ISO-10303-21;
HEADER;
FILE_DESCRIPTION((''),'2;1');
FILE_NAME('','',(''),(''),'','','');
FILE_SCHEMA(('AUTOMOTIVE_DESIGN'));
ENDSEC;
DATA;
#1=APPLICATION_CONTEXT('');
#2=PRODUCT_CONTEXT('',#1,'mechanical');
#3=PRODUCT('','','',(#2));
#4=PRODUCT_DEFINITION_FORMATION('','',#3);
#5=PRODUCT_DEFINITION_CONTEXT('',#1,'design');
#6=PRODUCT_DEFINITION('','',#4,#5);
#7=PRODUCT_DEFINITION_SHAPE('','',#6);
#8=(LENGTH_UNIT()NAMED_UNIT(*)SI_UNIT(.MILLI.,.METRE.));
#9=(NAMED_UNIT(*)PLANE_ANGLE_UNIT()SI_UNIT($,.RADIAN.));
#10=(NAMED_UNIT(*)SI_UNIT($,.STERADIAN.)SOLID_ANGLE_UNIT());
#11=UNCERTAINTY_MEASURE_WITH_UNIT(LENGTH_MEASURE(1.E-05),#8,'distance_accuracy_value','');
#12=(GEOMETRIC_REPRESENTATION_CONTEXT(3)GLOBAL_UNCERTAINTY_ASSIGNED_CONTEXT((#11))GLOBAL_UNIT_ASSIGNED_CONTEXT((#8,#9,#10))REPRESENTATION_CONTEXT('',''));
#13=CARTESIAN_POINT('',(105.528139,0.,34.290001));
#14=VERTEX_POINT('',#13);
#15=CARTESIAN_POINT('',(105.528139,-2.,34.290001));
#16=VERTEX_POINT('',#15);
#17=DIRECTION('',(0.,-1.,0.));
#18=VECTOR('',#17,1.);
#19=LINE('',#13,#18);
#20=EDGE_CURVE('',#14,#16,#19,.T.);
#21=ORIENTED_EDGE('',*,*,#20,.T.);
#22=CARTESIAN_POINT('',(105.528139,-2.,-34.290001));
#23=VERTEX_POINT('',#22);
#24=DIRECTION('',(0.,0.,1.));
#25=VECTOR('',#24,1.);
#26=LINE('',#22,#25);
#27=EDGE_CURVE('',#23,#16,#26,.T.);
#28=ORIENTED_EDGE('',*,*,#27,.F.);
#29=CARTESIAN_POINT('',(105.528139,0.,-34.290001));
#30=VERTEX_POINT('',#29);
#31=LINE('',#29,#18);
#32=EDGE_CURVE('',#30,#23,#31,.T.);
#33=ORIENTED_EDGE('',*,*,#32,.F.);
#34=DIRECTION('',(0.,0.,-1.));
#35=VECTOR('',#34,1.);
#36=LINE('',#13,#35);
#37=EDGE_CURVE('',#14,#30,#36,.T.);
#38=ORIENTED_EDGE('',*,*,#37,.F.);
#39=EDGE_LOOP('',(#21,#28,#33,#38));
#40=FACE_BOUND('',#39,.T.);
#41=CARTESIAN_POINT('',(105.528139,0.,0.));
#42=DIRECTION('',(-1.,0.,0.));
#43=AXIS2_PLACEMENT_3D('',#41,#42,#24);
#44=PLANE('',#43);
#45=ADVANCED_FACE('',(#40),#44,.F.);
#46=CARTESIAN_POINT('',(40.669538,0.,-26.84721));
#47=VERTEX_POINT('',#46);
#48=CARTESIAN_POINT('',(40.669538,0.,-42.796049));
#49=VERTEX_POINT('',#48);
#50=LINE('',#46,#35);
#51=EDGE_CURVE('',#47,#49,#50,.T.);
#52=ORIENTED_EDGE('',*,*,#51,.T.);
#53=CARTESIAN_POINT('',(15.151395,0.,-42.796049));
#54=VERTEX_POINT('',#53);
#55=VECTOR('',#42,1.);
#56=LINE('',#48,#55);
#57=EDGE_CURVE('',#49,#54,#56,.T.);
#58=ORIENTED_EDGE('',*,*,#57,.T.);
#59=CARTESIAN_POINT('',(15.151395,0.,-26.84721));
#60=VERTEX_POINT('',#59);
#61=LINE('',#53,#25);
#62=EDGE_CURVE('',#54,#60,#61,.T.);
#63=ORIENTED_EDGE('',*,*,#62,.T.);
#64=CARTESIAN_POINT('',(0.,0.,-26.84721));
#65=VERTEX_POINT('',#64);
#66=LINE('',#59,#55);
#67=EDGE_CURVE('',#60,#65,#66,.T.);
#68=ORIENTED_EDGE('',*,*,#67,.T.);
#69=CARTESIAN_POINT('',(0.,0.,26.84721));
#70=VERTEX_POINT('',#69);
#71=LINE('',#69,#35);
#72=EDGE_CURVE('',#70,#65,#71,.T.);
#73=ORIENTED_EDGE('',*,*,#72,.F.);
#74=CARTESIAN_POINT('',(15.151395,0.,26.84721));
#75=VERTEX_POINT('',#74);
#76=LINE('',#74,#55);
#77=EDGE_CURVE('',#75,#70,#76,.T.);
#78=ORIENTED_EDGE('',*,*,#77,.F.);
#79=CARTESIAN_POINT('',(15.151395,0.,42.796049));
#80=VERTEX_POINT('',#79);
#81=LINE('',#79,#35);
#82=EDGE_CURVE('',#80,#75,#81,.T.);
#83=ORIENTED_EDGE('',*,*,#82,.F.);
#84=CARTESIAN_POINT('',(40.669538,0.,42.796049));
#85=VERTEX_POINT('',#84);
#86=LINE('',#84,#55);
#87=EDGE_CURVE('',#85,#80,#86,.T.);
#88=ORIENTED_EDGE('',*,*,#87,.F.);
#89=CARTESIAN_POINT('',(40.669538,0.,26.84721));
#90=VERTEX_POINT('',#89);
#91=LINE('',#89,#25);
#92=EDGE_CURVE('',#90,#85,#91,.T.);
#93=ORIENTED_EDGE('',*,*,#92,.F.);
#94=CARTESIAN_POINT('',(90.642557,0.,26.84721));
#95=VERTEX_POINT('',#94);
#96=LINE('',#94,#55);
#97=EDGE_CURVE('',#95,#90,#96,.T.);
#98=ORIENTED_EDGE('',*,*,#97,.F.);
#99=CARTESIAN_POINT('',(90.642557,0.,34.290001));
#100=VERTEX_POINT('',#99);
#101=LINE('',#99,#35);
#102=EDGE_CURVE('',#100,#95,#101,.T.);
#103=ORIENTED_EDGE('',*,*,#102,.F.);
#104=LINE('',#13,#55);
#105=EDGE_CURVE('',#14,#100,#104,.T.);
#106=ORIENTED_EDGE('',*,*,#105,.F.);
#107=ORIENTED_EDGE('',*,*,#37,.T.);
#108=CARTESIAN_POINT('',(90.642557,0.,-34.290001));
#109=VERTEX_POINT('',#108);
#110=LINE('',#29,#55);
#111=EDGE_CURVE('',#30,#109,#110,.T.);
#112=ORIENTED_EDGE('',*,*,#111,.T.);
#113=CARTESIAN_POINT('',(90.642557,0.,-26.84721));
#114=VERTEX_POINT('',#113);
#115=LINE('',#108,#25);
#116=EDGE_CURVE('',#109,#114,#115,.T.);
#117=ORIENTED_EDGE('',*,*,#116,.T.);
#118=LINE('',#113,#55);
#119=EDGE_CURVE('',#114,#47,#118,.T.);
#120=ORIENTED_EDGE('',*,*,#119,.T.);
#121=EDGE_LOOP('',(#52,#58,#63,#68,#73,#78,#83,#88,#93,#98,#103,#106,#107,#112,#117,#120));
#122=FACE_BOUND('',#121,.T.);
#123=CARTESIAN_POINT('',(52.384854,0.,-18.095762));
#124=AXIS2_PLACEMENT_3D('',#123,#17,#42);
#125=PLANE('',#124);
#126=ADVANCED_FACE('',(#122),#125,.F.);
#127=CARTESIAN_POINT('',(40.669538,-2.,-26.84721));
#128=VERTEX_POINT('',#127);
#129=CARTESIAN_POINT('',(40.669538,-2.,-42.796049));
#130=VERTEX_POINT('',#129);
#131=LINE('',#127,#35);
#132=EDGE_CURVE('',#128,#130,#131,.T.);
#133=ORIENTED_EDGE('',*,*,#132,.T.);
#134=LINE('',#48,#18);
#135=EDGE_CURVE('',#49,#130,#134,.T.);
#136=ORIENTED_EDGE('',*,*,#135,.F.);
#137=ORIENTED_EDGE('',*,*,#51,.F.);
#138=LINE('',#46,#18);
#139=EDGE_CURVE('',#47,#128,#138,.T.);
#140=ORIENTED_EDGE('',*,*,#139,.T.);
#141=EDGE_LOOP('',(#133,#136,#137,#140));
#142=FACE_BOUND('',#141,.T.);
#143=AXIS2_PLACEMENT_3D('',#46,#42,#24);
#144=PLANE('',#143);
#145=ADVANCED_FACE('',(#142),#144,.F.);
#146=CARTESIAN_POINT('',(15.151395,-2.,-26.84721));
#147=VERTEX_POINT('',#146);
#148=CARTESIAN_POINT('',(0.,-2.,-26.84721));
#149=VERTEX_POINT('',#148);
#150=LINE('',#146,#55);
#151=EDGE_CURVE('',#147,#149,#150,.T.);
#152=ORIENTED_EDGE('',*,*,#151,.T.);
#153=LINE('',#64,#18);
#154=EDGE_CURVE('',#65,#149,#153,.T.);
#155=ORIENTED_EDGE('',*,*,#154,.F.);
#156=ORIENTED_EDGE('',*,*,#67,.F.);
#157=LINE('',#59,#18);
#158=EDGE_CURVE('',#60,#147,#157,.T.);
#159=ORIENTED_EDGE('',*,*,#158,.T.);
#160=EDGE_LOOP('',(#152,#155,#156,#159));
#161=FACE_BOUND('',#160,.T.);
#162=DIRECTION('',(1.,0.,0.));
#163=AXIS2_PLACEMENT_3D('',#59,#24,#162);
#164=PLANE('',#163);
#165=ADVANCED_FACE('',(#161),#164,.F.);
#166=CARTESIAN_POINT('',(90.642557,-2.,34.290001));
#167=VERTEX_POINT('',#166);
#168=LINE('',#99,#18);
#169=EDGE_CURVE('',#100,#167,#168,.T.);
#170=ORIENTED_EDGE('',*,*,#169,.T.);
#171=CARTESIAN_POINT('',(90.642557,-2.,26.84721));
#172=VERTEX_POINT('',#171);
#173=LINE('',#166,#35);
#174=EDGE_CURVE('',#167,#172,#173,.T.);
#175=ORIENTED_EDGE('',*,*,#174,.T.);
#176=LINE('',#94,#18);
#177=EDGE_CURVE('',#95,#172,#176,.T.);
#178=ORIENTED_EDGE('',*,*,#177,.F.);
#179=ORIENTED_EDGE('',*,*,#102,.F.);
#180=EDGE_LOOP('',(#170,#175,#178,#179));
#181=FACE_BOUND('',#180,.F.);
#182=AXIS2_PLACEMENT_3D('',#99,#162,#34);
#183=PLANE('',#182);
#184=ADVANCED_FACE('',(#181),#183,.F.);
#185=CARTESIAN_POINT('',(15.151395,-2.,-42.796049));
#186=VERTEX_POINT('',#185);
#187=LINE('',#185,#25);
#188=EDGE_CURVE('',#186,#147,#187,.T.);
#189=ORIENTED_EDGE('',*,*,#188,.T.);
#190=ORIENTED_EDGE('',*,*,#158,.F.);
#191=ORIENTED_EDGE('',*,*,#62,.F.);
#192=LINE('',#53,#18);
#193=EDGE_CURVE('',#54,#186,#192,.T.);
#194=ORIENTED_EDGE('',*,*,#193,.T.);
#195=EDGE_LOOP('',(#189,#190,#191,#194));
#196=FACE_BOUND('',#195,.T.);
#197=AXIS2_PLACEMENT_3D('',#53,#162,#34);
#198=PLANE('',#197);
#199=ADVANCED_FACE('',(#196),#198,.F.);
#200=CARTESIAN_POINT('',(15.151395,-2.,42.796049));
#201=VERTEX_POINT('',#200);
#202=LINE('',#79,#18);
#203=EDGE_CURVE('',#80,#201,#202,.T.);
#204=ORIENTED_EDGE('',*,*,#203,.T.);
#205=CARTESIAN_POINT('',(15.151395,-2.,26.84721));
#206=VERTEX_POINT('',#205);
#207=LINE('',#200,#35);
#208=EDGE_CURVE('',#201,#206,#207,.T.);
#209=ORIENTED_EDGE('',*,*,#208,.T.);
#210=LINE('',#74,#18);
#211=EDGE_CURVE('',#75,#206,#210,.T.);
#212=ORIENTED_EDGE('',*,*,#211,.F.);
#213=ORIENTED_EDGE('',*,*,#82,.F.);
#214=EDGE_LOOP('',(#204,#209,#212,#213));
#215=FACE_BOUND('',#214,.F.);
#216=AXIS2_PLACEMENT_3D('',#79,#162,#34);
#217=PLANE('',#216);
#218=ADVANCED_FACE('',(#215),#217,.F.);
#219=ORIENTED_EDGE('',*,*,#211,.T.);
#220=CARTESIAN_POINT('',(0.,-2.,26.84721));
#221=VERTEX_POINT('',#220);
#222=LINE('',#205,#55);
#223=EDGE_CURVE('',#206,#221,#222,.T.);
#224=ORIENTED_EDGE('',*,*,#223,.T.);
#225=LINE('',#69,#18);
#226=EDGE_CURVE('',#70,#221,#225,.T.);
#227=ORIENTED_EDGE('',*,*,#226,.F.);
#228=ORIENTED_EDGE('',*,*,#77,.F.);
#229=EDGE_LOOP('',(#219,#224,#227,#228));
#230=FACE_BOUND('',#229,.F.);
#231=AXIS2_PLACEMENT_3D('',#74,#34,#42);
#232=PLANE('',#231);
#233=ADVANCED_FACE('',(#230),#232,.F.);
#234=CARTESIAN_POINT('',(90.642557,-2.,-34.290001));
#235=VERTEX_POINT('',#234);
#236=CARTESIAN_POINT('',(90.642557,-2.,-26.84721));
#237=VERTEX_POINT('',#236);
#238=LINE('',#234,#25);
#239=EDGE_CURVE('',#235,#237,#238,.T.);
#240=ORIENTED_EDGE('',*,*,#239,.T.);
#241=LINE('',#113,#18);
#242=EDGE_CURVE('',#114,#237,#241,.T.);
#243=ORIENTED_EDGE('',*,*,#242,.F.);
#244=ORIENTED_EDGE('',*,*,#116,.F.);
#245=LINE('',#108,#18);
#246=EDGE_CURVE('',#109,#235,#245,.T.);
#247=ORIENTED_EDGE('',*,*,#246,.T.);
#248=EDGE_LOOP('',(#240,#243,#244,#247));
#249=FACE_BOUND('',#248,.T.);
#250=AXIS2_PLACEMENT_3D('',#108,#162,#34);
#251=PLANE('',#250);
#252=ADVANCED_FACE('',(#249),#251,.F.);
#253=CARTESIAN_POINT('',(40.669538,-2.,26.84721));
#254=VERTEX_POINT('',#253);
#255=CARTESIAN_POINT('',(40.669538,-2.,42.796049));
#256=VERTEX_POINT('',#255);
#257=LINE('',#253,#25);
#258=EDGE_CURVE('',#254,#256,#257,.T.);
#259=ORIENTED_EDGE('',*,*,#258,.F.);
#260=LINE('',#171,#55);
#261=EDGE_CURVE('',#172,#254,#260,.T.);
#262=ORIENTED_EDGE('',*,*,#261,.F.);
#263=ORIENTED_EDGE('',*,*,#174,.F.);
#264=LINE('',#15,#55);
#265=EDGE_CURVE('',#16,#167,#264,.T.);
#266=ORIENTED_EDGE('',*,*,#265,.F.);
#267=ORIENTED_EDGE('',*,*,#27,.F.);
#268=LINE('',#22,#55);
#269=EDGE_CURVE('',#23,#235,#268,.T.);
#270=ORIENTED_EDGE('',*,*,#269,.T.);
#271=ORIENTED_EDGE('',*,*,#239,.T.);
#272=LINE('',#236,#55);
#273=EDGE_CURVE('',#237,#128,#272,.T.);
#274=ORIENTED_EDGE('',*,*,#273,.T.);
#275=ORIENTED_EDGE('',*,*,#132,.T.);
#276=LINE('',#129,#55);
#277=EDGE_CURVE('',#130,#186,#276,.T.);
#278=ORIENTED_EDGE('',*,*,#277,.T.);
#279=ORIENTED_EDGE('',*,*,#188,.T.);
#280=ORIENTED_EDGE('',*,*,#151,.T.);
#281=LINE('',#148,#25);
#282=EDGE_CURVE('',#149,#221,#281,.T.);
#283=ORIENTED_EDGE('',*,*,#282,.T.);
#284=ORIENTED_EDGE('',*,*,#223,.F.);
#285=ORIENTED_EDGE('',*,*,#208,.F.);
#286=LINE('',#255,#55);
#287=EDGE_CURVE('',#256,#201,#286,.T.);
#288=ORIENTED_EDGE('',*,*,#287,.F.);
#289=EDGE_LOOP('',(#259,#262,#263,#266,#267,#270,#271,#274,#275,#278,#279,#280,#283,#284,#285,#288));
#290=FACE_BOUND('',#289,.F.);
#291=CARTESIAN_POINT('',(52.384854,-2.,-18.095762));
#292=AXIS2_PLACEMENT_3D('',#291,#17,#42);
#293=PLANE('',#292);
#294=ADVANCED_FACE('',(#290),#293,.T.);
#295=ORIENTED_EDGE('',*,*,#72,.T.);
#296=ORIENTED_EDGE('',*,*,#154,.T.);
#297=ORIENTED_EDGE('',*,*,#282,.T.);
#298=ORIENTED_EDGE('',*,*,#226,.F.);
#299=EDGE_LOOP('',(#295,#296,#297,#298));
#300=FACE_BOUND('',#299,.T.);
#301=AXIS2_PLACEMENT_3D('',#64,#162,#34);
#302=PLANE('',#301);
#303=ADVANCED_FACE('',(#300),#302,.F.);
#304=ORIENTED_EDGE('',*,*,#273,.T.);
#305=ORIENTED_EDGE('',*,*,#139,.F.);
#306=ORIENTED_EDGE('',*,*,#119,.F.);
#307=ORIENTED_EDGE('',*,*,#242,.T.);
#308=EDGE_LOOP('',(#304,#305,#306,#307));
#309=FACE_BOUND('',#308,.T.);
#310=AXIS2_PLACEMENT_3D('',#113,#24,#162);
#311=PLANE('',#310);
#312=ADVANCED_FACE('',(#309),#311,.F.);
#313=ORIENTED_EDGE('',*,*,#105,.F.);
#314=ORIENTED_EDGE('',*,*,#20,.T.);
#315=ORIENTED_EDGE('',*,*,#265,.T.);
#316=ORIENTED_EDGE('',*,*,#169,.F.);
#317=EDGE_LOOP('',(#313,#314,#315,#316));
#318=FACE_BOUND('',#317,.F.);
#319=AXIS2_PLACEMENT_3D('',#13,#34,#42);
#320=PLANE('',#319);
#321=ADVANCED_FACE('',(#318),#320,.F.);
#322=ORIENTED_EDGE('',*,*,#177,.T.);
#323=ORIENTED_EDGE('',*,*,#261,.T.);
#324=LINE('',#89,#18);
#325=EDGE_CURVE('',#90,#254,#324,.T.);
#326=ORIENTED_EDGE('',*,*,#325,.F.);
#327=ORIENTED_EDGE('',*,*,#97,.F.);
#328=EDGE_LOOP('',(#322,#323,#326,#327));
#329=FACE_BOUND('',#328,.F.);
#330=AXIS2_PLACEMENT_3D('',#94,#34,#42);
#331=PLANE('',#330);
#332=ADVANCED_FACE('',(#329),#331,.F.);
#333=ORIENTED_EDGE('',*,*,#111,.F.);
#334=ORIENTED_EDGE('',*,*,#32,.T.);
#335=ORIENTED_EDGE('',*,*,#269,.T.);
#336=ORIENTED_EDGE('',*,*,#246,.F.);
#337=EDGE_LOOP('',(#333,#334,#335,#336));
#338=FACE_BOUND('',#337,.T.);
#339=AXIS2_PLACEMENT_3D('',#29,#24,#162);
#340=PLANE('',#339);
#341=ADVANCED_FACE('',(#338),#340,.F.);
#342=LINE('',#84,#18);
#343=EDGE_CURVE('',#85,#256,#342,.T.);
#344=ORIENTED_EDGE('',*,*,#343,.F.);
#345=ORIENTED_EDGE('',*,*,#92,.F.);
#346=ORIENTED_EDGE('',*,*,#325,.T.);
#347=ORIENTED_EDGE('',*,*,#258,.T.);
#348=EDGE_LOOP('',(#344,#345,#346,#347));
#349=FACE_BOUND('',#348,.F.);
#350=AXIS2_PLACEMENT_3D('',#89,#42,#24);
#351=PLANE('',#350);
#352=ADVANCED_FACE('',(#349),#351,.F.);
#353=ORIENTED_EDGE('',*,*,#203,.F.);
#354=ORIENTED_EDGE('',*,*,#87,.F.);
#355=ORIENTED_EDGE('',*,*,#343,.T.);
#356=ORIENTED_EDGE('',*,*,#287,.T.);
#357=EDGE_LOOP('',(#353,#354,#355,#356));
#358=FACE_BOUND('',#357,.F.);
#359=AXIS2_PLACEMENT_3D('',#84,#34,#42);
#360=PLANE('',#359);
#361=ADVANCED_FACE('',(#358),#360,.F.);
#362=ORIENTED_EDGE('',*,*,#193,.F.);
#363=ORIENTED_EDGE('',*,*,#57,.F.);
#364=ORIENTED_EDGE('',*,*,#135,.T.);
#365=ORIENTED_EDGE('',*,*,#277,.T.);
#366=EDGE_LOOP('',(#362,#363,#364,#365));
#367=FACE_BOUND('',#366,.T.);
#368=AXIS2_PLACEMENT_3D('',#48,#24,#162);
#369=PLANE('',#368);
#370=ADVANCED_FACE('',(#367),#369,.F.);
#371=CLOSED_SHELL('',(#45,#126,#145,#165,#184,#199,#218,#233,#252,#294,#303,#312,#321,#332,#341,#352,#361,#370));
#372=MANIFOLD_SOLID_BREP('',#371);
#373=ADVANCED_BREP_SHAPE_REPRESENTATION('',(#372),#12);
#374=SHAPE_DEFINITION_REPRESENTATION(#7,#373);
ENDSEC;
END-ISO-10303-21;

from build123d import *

# Parameters (mm, degrees)
F1_DEPTH = 2


with BuildPart() as f1:
    # F0 (on Front) → F1 (new body)
    with BuildSketch(Plane.XZ):
        Polygon((0, 26.84721), (0, 0), (105.528139, 0), (105.528139, 34.290001), (90.642557, 34.290001), (90.642557, 26.84721), (40.669538, 26.84721), (40.669538, 42.796049), (15.151395, 42.796049), (15.151395, 26.84721), align=None)
    extrude(amount=F1_DEPTH)

    # F2: F1 across plane


with BuildPart() as f1_1:
    add(f1.part)
    add(f1.part.mirror(Plane.XY))


solid = f1_1.part
